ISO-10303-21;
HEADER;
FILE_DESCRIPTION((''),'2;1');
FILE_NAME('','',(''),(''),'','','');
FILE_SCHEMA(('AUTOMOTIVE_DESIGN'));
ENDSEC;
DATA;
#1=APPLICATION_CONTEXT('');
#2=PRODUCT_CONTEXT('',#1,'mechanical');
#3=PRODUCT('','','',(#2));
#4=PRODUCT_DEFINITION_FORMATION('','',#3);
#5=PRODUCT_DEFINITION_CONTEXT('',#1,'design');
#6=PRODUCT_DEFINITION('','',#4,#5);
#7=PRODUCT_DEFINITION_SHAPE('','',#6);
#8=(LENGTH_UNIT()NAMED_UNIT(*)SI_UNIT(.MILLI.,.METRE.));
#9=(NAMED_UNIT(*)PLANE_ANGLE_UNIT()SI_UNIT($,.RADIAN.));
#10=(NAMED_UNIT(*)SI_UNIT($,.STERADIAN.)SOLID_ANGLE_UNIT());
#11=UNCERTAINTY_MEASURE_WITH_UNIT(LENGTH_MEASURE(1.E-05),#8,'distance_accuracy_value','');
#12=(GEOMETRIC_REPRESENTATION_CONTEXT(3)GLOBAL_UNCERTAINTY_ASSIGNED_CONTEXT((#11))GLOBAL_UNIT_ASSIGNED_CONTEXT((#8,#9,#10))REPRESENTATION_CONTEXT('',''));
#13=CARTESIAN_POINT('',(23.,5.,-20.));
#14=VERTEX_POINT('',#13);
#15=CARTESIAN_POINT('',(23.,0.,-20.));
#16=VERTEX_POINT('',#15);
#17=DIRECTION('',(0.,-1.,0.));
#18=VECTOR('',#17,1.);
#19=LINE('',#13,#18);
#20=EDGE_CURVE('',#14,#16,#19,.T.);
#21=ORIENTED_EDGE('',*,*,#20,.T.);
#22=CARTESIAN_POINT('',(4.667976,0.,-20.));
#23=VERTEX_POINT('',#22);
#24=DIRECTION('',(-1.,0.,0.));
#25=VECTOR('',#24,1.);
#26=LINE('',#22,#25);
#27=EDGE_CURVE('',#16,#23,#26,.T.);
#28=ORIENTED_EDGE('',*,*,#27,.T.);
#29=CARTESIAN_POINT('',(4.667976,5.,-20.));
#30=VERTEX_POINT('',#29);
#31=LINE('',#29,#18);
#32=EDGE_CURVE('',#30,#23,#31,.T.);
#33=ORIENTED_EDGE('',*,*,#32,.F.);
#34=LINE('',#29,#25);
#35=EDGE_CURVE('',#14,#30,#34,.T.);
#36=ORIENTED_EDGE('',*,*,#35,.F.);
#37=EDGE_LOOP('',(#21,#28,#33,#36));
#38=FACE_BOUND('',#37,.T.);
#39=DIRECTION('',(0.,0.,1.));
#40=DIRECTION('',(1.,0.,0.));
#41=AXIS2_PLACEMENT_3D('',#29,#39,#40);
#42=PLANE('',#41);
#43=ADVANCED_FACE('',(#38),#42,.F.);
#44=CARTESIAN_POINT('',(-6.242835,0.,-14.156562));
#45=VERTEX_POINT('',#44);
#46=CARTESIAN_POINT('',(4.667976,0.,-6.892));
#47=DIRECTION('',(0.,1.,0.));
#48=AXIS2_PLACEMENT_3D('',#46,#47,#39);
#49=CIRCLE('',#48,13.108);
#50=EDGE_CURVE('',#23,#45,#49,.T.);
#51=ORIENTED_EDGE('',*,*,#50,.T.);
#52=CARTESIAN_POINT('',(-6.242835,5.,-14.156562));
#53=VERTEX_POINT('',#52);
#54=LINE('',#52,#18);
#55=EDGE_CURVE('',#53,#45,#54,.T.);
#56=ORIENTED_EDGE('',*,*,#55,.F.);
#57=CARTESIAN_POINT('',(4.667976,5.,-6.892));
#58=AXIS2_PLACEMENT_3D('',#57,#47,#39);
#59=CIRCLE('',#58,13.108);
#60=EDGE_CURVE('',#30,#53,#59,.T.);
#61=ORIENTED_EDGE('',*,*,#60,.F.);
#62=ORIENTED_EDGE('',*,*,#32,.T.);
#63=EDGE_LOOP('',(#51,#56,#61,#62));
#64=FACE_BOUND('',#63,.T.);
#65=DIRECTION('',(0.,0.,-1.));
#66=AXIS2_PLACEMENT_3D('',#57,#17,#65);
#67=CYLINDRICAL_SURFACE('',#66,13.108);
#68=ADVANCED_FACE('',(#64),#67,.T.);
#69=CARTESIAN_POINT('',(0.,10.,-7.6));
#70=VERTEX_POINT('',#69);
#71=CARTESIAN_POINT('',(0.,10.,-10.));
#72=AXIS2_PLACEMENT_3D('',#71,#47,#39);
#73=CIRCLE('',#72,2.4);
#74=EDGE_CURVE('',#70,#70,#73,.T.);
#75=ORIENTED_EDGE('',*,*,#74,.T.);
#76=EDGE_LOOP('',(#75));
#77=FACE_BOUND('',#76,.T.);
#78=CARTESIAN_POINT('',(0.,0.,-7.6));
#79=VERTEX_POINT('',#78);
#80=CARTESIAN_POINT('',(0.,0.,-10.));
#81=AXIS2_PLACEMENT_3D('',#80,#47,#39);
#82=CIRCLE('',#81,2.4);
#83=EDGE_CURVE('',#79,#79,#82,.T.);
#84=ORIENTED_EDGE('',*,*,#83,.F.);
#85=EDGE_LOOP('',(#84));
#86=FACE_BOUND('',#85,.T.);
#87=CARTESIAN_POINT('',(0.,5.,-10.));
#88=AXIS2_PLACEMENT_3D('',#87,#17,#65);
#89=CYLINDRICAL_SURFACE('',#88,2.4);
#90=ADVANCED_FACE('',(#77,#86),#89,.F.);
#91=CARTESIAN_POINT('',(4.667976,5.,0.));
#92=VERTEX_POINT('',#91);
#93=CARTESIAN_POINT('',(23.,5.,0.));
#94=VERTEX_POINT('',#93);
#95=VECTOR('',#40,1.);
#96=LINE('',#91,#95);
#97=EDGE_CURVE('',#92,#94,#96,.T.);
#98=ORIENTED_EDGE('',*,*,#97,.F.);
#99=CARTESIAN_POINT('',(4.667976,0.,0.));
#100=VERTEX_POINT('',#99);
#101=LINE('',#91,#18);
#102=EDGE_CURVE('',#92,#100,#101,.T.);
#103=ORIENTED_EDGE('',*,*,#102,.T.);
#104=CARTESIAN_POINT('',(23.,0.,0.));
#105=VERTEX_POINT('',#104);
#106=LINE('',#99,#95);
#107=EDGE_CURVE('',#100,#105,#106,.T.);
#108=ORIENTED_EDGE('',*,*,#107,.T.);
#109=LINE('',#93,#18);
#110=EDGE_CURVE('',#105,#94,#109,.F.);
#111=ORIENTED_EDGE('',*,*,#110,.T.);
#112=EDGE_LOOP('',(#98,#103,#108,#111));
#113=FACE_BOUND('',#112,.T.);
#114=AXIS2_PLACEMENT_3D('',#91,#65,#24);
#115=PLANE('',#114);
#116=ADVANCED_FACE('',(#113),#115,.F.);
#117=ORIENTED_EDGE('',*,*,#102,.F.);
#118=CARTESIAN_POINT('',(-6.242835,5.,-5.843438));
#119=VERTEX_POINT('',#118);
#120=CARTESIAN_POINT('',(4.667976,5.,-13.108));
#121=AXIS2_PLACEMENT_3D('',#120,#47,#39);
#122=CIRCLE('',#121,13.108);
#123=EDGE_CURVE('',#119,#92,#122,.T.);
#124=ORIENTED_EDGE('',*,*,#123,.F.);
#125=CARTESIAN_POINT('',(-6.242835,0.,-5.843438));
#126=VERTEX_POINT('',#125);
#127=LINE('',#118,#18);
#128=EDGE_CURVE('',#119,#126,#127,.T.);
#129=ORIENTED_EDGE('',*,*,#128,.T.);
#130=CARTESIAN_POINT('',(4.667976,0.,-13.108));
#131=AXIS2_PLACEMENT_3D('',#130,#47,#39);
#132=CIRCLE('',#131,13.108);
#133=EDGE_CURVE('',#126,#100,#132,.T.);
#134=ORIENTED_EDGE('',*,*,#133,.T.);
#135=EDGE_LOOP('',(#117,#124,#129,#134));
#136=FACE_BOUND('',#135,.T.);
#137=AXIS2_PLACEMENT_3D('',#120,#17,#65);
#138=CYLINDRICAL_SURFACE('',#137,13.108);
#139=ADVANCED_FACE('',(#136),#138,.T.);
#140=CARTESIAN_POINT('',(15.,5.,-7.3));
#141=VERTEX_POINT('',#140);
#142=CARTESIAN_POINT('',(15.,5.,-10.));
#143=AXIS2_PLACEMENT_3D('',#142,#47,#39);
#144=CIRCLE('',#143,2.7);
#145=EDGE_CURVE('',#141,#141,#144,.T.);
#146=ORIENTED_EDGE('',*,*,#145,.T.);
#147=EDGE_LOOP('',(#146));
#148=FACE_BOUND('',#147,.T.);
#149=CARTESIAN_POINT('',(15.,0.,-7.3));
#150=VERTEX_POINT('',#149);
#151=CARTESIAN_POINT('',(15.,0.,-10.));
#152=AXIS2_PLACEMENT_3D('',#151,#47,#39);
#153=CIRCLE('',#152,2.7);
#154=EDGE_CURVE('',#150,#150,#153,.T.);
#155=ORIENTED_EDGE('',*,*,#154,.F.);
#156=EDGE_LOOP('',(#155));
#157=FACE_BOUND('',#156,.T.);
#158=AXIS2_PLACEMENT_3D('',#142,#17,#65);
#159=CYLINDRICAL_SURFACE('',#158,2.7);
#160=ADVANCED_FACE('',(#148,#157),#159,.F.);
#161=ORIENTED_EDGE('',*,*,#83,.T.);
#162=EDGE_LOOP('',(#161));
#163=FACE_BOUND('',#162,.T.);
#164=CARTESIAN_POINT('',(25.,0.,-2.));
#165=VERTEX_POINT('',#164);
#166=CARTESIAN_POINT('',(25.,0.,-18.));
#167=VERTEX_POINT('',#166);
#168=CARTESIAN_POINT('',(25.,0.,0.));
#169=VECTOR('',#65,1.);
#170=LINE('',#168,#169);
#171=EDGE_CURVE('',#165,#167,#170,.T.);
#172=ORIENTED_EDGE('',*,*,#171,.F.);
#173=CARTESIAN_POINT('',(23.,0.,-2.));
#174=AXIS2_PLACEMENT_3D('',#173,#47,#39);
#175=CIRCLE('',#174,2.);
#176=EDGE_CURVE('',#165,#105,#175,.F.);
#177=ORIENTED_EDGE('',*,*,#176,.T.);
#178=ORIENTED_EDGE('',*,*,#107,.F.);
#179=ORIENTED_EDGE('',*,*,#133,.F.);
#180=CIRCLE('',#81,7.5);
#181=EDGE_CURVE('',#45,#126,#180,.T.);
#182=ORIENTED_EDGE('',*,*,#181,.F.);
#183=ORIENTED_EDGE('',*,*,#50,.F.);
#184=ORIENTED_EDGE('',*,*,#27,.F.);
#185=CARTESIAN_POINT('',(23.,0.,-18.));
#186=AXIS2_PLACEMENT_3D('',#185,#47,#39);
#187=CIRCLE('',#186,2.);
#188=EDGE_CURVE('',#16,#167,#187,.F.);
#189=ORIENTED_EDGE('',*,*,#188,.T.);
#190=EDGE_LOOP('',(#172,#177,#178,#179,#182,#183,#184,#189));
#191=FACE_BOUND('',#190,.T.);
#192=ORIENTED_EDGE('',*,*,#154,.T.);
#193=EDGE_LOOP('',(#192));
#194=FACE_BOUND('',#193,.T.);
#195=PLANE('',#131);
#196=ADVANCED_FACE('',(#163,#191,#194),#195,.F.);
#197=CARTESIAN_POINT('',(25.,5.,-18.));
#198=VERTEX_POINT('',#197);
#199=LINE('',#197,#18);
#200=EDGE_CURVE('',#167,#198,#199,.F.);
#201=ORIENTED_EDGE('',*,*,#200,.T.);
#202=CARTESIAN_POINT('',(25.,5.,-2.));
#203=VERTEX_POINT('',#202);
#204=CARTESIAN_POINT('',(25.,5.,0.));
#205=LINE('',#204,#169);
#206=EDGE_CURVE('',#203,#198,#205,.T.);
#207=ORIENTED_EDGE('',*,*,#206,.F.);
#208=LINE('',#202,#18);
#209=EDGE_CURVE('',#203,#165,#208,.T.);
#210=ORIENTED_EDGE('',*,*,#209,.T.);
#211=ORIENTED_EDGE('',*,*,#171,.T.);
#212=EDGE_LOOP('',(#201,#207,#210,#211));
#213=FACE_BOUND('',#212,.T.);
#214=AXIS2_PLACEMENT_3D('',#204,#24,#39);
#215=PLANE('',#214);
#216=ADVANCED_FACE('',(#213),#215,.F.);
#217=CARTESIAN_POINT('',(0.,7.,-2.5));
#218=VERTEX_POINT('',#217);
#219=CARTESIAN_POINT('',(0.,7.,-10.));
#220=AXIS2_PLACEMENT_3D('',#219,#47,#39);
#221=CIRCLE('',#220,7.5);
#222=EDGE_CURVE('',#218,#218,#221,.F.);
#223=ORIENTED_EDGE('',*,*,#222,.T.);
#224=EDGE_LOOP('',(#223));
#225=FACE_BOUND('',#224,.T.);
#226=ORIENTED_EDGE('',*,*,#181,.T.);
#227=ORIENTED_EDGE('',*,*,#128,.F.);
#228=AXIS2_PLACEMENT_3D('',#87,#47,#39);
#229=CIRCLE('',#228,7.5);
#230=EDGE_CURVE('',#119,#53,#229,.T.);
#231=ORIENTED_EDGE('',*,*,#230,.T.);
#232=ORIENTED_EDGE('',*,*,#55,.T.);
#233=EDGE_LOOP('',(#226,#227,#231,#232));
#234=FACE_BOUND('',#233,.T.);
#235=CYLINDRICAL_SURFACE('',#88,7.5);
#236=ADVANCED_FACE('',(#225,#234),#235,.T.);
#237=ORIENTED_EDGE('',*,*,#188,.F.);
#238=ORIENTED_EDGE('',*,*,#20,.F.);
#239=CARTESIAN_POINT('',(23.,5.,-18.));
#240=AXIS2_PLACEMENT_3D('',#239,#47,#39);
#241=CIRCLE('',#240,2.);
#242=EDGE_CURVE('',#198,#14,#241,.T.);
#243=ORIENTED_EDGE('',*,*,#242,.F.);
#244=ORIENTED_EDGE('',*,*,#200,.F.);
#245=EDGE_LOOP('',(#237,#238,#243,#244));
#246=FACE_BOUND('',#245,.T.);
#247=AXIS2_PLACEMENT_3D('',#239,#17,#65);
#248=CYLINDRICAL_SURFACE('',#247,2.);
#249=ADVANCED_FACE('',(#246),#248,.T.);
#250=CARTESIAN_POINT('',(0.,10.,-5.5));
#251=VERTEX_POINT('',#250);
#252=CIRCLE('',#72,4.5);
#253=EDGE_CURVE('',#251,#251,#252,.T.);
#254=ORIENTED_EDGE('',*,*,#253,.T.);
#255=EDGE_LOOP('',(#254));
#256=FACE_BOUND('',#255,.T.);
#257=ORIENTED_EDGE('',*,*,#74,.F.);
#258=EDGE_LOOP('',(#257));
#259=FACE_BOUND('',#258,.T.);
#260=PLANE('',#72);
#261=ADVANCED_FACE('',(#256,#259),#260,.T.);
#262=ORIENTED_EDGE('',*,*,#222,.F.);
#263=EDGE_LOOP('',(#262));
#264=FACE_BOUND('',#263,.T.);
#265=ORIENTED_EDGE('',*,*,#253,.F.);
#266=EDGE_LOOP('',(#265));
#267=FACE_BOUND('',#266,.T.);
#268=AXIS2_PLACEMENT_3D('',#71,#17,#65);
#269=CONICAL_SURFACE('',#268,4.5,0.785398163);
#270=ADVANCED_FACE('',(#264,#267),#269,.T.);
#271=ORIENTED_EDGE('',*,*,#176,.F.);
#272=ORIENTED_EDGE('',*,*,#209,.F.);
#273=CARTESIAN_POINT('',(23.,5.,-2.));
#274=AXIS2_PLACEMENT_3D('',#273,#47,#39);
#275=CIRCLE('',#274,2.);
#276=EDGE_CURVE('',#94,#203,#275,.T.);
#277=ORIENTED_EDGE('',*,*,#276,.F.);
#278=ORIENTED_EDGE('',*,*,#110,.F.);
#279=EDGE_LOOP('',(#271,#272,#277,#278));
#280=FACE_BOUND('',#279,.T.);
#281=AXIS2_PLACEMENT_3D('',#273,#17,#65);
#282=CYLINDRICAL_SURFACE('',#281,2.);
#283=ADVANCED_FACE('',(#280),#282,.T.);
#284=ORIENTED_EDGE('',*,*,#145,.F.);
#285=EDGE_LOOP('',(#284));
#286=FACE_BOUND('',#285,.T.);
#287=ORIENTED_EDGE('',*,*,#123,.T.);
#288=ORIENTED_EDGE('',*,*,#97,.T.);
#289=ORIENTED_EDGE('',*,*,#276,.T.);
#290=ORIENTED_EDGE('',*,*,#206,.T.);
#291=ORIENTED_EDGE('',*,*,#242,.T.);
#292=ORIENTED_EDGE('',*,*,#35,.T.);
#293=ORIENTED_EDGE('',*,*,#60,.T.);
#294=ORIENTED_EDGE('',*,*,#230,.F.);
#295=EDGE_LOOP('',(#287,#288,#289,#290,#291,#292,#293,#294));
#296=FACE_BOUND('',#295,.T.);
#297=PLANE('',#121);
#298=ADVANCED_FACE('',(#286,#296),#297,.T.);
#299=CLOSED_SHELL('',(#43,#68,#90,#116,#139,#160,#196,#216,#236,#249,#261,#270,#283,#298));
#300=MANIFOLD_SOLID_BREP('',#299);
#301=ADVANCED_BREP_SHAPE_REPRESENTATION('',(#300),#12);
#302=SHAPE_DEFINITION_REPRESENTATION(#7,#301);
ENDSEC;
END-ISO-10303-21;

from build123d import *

# Parameters (mm, degrees)
SKETCH1_R           = 2.7
SKETCH1_R_2         = 2.4
BOSS_EXTRUDE1_DEPTH = 5
SKETCH2_R           = 7.5
SKETCH2_R_2         = 2.4
BOSS_EXTRUDE2_DEPTH = 5
CHAMFER1_SIZE       = 3
FILLET1_R           = 2


with BuildPart() as part:
    # Sketch1 → Boss-Extrude1 (new body)
    with BuildSketch(Plane(origin=(0, 0, 0), x_dir=(1, 0, 0), z_dir=(0, 1, 0))):
        with BuildLine():
            Line((4.667976007, 0), (25, 0))
            Line((25, 0), (25, 20))
            Line((25, 20), (4.667976007, 20))
            ThreePointArc((4.667976007, 20), (-1.520553083, 18.447162124), (-6.242835244, 14.156562054))
            ThreePointArc((-6.242835244, 14.156562054), (-7.5, 10), (-6.242835244, 5.843437946))
            ThreePointArc((-6.242835244, 5.843437946), (-1.520553083, 1.552837876), (4.667976007, 0))
        make_face()
        with Locations((15, 10)):
            Circle(SKETCH1_R, mode=Mode.SUBTRACT)
        with Locations((0, 10)):
            Circle(SKETCH1_R_2, mode=Mode.SUBTRACT)
    extrude(amount=BOSS_EXTRUDE1_DEPTH)

    # Sketch2 → Boss-Extrude2 (add)
    with BuildSketch(Plane(origin=(0, 5, 0), x_dir=(1, 0, 0), z_dir=(0, 1, 0))):
        with Locations((0, 10)):
            Circle(SKETCH2_R)
        with Locations((0, 10)):
            Circle(SKETCH2_R_2, mode=Mode.SUBTRACT)
    extrude(amount=BOSS_EXTRUDE2_DEPTH)

    # Chamfer1
    chamfer1_edges = [part.edges().sort_by_distance(p)[0] for p in [
        (-7.5, 10, -10),
    ]]
    chamfer(chamfer1_edges, length=CHAMFER1_SIZE)

    # Fillet1
    fillet1_edges = [part.edges().sort_by_distance(p)[0] for p in [
        (25, 2.5, -20),
        (25, 2.5, 0),
    ]]
    fillet(fillet1_edges, radius=FILLET1_R)


solid = part.part
